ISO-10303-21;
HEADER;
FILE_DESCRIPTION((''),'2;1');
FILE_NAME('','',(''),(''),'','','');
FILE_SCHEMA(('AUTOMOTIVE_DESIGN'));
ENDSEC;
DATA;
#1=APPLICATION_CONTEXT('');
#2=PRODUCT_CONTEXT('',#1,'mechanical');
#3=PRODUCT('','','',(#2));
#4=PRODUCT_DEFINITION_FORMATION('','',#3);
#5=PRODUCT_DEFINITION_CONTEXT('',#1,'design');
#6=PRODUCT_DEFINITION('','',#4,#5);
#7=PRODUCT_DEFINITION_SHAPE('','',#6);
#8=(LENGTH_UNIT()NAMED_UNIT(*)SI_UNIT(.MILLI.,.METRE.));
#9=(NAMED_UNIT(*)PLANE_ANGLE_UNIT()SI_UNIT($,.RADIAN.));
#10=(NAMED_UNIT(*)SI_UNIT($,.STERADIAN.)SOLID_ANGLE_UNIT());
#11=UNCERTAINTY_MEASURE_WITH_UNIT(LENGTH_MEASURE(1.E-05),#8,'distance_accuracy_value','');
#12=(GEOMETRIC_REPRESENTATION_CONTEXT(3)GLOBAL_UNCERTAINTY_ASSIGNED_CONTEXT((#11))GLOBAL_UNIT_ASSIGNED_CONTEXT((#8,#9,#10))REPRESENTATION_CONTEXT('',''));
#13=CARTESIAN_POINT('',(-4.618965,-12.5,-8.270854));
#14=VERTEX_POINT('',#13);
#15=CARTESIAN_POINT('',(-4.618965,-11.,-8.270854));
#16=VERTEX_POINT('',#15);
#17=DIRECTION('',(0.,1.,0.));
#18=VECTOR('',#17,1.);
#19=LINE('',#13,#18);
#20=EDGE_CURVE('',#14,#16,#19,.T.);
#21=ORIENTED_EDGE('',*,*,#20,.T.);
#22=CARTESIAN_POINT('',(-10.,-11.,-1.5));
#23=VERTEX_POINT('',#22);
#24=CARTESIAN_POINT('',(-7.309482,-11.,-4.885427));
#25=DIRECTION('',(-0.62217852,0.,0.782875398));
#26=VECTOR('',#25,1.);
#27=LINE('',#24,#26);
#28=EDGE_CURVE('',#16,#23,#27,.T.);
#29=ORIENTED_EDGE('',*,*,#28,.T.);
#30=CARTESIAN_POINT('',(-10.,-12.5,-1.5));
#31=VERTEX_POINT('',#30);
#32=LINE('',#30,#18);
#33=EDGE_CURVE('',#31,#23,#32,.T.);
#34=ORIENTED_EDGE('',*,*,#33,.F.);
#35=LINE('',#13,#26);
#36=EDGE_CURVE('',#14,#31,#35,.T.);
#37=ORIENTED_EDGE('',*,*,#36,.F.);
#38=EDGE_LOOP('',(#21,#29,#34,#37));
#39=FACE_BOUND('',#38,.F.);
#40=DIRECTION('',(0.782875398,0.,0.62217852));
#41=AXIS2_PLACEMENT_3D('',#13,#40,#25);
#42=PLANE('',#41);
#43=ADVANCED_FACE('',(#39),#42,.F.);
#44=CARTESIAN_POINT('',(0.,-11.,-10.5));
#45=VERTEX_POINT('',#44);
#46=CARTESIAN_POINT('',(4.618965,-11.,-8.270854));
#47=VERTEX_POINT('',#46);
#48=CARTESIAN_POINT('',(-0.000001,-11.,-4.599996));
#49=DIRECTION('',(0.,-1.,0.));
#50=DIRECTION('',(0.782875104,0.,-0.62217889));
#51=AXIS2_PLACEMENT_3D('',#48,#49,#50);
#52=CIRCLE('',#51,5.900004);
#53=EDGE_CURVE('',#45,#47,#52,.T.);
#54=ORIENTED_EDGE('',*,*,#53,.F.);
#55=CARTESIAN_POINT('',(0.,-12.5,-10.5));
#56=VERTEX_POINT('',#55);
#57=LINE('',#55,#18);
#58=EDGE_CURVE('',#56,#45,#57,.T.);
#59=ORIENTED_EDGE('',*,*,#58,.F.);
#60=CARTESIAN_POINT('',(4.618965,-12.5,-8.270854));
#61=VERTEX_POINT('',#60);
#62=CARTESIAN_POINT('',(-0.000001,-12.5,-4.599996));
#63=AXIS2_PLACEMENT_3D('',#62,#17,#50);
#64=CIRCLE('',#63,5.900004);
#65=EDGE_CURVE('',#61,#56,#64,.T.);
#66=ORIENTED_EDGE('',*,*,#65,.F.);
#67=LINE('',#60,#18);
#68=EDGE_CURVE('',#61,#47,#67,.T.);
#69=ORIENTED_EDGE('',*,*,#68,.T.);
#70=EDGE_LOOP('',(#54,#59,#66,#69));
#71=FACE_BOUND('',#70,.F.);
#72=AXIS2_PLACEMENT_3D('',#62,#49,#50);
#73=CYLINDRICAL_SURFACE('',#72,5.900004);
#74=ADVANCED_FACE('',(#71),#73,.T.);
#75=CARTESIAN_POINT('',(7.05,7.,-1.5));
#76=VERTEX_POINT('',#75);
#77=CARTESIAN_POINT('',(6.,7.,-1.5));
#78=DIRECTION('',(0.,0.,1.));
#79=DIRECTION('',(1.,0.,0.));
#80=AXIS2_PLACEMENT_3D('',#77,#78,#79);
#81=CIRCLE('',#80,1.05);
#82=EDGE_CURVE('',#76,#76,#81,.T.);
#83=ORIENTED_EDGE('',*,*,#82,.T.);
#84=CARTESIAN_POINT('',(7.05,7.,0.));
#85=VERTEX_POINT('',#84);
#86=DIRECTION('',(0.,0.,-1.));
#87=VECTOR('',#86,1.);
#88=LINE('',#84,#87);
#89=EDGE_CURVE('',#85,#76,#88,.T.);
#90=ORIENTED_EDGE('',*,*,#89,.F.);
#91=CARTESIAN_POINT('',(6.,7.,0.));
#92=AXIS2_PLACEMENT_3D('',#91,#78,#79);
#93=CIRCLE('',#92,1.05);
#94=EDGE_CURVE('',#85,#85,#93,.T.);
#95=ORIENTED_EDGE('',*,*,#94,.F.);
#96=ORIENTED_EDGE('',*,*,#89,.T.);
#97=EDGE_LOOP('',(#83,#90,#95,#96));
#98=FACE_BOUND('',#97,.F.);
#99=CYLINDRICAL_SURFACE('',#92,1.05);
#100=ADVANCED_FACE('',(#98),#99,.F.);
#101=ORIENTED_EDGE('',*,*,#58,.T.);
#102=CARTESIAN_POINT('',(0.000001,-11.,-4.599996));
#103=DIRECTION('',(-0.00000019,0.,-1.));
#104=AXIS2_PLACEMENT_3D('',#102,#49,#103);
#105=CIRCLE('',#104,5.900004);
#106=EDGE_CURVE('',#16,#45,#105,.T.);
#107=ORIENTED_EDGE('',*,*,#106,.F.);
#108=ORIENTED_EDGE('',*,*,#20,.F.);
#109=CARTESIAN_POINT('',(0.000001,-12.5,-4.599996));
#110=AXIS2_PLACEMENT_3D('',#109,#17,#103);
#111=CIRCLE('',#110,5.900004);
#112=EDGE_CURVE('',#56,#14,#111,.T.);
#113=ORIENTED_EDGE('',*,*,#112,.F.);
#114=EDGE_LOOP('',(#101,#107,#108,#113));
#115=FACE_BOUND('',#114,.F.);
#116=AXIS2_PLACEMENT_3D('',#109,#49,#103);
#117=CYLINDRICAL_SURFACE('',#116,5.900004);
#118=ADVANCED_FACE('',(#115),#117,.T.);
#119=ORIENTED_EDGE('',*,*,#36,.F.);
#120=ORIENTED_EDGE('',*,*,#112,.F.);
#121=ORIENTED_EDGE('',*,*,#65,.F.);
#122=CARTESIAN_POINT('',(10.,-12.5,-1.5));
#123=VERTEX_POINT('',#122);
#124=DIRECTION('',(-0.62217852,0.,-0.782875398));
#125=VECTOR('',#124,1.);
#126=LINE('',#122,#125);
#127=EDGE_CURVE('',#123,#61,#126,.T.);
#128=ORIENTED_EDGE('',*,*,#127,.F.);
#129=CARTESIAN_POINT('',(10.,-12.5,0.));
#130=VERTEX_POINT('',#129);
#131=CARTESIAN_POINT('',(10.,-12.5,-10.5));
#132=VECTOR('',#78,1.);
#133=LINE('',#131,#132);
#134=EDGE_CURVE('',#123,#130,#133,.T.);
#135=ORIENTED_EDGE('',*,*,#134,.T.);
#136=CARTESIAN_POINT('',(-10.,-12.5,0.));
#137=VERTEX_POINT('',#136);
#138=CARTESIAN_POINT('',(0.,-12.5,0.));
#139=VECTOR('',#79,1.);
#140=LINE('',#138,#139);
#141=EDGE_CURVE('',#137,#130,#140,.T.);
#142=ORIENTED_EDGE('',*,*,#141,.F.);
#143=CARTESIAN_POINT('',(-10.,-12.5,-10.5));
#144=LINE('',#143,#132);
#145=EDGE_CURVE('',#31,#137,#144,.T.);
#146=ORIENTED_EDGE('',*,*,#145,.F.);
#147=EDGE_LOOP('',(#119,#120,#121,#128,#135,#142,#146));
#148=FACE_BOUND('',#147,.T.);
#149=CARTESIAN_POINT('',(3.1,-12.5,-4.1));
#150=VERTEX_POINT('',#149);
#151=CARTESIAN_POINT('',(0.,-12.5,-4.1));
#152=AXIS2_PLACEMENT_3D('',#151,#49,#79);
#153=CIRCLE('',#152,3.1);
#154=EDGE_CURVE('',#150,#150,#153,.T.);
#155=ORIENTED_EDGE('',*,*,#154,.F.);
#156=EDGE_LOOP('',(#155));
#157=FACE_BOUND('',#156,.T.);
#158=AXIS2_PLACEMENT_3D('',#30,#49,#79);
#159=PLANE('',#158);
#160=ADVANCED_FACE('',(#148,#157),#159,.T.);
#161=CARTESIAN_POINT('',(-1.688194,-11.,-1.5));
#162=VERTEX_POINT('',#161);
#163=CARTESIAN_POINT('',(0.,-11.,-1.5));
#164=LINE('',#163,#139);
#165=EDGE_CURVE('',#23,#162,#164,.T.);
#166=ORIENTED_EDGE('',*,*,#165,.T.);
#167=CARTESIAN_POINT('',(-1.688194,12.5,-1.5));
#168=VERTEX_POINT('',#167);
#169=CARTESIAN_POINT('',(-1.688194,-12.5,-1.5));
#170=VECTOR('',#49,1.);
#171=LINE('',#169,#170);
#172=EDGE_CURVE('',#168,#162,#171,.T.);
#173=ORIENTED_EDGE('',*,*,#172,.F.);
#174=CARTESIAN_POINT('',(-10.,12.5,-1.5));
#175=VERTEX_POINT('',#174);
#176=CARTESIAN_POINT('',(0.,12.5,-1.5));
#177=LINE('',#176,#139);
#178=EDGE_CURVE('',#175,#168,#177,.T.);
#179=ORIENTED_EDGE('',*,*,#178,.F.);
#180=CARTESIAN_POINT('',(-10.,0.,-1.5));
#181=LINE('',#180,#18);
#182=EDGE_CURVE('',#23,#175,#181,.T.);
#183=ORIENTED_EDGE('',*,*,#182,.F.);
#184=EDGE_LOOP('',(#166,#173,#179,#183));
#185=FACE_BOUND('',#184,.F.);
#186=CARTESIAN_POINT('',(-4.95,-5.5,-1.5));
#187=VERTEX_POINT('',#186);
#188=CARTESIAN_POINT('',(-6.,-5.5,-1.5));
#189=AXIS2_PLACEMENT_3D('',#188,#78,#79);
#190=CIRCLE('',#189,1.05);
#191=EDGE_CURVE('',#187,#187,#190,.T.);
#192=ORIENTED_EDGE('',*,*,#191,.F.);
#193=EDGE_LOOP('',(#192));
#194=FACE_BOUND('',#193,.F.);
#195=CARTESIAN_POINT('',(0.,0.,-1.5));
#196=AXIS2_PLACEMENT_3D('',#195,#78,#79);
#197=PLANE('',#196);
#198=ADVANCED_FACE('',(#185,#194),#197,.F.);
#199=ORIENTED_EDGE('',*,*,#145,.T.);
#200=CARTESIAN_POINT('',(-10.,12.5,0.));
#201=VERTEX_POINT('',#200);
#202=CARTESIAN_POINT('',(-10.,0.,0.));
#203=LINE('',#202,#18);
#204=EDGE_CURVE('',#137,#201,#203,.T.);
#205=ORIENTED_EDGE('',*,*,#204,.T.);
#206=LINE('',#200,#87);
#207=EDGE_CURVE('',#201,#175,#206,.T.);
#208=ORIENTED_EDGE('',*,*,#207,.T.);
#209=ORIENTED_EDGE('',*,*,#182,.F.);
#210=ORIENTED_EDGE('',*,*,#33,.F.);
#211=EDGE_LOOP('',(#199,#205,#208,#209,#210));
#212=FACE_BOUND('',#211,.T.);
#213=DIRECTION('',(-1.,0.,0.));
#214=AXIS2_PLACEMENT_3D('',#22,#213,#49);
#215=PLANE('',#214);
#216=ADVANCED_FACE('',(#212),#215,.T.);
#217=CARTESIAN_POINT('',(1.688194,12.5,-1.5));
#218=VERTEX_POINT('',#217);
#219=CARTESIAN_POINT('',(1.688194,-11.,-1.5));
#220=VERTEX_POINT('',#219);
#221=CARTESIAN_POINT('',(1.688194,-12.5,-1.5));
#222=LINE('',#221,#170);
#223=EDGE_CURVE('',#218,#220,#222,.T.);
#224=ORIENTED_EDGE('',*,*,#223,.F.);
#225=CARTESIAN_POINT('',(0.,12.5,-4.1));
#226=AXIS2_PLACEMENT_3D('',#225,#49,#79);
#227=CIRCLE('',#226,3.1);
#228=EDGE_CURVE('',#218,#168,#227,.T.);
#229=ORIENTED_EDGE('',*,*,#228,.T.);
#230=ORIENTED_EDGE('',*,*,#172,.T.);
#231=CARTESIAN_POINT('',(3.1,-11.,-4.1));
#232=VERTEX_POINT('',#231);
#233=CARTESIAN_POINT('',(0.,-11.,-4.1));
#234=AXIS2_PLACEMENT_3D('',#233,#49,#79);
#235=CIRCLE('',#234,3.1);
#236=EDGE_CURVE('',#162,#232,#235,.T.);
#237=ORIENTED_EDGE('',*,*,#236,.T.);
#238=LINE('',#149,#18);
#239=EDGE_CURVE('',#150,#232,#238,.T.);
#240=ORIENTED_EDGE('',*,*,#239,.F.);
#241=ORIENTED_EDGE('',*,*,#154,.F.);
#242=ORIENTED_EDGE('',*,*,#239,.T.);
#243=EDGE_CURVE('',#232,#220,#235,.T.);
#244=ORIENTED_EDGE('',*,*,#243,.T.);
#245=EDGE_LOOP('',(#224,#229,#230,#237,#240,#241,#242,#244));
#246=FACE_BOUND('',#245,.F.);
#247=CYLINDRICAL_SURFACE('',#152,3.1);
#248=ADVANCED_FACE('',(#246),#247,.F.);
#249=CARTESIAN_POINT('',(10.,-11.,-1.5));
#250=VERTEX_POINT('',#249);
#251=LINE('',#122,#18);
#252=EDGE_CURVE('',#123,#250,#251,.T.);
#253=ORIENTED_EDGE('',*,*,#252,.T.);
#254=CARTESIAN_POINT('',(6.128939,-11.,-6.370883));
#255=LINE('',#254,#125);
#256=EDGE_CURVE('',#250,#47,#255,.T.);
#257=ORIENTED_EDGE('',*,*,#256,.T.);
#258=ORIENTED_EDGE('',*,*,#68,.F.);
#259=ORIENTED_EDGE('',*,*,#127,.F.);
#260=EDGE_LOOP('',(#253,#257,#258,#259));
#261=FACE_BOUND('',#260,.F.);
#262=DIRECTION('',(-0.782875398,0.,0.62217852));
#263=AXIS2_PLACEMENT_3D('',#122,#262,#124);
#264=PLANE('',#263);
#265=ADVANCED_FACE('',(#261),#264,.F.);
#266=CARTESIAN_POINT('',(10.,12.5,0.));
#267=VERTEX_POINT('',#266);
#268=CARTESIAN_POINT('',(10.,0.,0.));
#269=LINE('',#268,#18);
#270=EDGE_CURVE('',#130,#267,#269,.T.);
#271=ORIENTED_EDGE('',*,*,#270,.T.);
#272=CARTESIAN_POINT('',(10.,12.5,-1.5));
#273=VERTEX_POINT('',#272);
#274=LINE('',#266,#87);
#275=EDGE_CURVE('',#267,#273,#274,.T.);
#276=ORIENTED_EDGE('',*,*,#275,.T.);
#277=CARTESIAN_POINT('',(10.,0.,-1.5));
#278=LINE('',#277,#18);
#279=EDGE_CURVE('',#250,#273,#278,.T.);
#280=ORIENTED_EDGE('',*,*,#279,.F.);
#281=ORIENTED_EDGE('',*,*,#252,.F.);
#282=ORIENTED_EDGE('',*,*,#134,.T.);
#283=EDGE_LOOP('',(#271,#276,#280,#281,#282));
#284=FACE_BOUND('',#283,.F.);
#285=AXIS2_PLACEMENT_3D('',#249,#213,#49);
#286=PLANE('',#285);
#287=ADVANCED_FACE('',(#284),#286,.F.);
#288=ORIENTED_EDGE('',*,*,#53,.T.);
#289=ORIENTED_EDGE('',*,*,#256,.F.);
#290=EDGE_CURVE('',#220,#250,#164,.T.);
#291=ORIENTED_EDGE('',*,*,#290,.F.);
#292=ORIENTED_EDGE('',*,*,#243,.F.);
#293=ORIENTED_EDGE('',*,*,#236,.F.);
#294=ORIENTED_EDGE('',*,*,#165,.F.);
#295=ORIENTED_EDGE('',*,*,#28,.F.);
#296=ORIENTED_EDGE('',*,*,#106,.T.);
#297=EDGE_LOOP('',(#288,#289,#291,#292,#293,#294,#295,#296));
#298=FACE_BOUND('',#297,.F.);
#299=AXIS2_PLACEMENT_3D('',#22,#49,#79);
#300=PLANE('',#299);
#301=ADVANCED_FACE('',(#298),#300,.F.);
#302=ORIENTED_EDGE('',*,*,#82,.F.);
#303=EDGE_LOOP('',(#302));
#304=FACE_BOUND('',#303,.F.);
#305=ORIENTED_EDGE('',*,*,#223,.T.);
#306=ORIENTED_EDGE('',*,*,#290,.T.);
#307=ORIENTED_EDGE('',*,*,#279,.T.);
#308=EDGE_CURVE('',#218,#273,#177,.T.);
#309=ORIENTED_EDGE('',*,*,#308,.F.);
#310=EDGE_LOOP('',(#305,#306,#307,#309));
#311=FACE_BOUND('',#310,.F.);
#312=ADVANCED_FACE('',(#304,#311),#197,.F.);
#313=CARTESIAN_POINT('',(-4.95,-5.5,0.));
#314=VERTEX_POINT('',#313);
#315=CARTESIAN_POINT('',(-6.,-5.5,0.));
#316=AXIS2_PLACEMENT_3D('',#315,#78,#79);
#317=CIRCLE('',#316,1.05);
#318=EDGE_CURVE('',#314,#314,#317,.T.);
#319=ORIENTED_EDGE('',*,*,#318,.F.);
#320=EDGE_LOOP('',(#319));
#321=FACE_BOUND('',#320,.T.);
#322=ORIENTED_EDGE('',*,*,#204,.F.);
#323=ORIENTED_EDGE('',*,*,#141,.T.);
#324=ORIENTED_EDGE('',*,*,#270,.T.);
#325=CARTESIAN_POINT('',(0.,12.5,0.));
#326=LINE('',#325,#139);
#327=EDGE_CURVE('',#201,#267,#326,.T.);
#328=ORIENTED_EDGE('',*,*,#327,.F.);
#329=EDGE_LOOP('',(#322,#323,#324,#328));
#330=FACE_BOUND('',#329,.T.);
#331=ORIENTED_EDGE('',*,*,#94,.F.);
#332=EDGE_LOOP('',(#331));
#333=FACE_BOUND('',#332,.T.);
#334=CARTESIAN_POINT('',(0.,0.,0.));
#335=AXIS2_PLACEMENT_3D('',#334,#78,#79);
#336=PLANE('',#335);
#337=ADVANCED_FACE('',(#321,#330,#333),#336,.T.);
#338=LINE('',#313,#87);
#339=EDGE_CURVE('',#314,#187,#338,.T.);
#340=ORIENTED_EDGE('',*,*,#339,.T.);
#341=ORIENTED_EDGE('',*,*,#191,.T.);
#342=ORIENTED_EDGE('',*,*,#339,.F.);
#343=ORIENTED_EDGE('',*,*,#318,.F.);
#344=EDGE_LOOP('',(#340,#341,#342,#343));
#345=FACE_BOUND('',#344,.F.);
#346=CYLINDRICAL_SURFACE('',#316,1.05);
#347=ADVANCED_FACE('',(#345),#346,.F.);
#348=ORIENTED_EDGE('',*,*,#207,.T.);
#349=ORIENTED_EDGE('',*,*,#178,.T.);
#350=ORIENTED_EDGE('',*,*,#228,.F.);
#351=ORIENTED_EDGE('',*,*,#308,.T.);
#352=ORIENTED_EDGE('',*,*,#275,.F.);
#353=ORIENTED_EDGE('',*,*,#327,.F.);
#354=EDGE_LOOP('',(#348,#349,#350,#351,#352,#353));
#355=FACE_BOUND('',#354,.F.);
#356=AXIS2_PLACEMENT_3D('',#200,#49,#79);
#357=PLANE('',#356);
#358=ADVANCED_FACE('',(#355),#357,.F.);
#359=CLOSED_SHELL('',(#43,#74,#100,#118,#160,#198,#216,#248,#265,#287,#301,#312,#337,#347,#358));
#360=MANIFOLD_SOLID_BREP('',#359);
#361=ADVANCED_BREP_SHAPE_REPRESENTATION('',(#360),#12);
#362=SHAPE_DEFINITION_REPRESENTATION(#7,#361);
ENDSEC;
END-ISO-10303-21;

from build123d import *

# Parameters (mm, degrees)
F0_W     = 20
F0_H     = 25
F0_R     = 1.05
F1_DEPTH = 1.5
F2_W     = 20
F2_H     = 1.5
F3_DEPTH = 9
F4_R     = 3.1
F5_DEPTH = 30


with BuildPart() as f1:
    # F0 (on Top) → F1 (new body)
    with BuildSketch(Plane.XY):
        Rectangle(F0_W, F0_H)
        with Locations((-6, -5.5)):
            Circle(F0_R, mode=Mode.SUBTRACT)
        with Locations((6, 7)):
            Circle(F0_R, mode=Mode.SUBTRACT)
    extrude(amount=-F1_DEPTH)

    # F2 (on face) → F3 (join)
    with BuildSketch(Plane(origin=(0, 0, -1.5), x_dir=(1, 0, 0), z_dir=(0, 0, -1))):
        with Locations((0, 11.75)):
            Rectangle(F2_W, F2_H)
    extrude(amount=F3_DEPTH)

    # F4 (on face) → F5 (cut)
    with BuildSketch(Plane.XZ.offset(12.5)):
        with Locations((0, -4.1)):
            Circle(F4_R)
        with BuildLine():
            Line((-4.618965, -8.270854), (-10, -1.5))
            Line((-10, -1.5), (-10, -10.5))
            Line((-10, -10.5), (0, -10.5))
            ThreePointArc((0, -10.5), (-2.564368, -9.913569), (-4.618965, -8.270854))
        make_face()
        with BuildLine():
            ThreePointArc((4.618965, -8.270854), (2.564368, -9.913569), (0, -10.5))
            Line((0, -10.5), (10, -10.5))
            Line((10, -10.5), (10, -1.5))
            Line((10, -1.5), (4.618965, -8.270854))
        make_face()
    extrude(amount=-F5_DEPTH, mode=Mode.SUBTRACT)


solid = f1.part
